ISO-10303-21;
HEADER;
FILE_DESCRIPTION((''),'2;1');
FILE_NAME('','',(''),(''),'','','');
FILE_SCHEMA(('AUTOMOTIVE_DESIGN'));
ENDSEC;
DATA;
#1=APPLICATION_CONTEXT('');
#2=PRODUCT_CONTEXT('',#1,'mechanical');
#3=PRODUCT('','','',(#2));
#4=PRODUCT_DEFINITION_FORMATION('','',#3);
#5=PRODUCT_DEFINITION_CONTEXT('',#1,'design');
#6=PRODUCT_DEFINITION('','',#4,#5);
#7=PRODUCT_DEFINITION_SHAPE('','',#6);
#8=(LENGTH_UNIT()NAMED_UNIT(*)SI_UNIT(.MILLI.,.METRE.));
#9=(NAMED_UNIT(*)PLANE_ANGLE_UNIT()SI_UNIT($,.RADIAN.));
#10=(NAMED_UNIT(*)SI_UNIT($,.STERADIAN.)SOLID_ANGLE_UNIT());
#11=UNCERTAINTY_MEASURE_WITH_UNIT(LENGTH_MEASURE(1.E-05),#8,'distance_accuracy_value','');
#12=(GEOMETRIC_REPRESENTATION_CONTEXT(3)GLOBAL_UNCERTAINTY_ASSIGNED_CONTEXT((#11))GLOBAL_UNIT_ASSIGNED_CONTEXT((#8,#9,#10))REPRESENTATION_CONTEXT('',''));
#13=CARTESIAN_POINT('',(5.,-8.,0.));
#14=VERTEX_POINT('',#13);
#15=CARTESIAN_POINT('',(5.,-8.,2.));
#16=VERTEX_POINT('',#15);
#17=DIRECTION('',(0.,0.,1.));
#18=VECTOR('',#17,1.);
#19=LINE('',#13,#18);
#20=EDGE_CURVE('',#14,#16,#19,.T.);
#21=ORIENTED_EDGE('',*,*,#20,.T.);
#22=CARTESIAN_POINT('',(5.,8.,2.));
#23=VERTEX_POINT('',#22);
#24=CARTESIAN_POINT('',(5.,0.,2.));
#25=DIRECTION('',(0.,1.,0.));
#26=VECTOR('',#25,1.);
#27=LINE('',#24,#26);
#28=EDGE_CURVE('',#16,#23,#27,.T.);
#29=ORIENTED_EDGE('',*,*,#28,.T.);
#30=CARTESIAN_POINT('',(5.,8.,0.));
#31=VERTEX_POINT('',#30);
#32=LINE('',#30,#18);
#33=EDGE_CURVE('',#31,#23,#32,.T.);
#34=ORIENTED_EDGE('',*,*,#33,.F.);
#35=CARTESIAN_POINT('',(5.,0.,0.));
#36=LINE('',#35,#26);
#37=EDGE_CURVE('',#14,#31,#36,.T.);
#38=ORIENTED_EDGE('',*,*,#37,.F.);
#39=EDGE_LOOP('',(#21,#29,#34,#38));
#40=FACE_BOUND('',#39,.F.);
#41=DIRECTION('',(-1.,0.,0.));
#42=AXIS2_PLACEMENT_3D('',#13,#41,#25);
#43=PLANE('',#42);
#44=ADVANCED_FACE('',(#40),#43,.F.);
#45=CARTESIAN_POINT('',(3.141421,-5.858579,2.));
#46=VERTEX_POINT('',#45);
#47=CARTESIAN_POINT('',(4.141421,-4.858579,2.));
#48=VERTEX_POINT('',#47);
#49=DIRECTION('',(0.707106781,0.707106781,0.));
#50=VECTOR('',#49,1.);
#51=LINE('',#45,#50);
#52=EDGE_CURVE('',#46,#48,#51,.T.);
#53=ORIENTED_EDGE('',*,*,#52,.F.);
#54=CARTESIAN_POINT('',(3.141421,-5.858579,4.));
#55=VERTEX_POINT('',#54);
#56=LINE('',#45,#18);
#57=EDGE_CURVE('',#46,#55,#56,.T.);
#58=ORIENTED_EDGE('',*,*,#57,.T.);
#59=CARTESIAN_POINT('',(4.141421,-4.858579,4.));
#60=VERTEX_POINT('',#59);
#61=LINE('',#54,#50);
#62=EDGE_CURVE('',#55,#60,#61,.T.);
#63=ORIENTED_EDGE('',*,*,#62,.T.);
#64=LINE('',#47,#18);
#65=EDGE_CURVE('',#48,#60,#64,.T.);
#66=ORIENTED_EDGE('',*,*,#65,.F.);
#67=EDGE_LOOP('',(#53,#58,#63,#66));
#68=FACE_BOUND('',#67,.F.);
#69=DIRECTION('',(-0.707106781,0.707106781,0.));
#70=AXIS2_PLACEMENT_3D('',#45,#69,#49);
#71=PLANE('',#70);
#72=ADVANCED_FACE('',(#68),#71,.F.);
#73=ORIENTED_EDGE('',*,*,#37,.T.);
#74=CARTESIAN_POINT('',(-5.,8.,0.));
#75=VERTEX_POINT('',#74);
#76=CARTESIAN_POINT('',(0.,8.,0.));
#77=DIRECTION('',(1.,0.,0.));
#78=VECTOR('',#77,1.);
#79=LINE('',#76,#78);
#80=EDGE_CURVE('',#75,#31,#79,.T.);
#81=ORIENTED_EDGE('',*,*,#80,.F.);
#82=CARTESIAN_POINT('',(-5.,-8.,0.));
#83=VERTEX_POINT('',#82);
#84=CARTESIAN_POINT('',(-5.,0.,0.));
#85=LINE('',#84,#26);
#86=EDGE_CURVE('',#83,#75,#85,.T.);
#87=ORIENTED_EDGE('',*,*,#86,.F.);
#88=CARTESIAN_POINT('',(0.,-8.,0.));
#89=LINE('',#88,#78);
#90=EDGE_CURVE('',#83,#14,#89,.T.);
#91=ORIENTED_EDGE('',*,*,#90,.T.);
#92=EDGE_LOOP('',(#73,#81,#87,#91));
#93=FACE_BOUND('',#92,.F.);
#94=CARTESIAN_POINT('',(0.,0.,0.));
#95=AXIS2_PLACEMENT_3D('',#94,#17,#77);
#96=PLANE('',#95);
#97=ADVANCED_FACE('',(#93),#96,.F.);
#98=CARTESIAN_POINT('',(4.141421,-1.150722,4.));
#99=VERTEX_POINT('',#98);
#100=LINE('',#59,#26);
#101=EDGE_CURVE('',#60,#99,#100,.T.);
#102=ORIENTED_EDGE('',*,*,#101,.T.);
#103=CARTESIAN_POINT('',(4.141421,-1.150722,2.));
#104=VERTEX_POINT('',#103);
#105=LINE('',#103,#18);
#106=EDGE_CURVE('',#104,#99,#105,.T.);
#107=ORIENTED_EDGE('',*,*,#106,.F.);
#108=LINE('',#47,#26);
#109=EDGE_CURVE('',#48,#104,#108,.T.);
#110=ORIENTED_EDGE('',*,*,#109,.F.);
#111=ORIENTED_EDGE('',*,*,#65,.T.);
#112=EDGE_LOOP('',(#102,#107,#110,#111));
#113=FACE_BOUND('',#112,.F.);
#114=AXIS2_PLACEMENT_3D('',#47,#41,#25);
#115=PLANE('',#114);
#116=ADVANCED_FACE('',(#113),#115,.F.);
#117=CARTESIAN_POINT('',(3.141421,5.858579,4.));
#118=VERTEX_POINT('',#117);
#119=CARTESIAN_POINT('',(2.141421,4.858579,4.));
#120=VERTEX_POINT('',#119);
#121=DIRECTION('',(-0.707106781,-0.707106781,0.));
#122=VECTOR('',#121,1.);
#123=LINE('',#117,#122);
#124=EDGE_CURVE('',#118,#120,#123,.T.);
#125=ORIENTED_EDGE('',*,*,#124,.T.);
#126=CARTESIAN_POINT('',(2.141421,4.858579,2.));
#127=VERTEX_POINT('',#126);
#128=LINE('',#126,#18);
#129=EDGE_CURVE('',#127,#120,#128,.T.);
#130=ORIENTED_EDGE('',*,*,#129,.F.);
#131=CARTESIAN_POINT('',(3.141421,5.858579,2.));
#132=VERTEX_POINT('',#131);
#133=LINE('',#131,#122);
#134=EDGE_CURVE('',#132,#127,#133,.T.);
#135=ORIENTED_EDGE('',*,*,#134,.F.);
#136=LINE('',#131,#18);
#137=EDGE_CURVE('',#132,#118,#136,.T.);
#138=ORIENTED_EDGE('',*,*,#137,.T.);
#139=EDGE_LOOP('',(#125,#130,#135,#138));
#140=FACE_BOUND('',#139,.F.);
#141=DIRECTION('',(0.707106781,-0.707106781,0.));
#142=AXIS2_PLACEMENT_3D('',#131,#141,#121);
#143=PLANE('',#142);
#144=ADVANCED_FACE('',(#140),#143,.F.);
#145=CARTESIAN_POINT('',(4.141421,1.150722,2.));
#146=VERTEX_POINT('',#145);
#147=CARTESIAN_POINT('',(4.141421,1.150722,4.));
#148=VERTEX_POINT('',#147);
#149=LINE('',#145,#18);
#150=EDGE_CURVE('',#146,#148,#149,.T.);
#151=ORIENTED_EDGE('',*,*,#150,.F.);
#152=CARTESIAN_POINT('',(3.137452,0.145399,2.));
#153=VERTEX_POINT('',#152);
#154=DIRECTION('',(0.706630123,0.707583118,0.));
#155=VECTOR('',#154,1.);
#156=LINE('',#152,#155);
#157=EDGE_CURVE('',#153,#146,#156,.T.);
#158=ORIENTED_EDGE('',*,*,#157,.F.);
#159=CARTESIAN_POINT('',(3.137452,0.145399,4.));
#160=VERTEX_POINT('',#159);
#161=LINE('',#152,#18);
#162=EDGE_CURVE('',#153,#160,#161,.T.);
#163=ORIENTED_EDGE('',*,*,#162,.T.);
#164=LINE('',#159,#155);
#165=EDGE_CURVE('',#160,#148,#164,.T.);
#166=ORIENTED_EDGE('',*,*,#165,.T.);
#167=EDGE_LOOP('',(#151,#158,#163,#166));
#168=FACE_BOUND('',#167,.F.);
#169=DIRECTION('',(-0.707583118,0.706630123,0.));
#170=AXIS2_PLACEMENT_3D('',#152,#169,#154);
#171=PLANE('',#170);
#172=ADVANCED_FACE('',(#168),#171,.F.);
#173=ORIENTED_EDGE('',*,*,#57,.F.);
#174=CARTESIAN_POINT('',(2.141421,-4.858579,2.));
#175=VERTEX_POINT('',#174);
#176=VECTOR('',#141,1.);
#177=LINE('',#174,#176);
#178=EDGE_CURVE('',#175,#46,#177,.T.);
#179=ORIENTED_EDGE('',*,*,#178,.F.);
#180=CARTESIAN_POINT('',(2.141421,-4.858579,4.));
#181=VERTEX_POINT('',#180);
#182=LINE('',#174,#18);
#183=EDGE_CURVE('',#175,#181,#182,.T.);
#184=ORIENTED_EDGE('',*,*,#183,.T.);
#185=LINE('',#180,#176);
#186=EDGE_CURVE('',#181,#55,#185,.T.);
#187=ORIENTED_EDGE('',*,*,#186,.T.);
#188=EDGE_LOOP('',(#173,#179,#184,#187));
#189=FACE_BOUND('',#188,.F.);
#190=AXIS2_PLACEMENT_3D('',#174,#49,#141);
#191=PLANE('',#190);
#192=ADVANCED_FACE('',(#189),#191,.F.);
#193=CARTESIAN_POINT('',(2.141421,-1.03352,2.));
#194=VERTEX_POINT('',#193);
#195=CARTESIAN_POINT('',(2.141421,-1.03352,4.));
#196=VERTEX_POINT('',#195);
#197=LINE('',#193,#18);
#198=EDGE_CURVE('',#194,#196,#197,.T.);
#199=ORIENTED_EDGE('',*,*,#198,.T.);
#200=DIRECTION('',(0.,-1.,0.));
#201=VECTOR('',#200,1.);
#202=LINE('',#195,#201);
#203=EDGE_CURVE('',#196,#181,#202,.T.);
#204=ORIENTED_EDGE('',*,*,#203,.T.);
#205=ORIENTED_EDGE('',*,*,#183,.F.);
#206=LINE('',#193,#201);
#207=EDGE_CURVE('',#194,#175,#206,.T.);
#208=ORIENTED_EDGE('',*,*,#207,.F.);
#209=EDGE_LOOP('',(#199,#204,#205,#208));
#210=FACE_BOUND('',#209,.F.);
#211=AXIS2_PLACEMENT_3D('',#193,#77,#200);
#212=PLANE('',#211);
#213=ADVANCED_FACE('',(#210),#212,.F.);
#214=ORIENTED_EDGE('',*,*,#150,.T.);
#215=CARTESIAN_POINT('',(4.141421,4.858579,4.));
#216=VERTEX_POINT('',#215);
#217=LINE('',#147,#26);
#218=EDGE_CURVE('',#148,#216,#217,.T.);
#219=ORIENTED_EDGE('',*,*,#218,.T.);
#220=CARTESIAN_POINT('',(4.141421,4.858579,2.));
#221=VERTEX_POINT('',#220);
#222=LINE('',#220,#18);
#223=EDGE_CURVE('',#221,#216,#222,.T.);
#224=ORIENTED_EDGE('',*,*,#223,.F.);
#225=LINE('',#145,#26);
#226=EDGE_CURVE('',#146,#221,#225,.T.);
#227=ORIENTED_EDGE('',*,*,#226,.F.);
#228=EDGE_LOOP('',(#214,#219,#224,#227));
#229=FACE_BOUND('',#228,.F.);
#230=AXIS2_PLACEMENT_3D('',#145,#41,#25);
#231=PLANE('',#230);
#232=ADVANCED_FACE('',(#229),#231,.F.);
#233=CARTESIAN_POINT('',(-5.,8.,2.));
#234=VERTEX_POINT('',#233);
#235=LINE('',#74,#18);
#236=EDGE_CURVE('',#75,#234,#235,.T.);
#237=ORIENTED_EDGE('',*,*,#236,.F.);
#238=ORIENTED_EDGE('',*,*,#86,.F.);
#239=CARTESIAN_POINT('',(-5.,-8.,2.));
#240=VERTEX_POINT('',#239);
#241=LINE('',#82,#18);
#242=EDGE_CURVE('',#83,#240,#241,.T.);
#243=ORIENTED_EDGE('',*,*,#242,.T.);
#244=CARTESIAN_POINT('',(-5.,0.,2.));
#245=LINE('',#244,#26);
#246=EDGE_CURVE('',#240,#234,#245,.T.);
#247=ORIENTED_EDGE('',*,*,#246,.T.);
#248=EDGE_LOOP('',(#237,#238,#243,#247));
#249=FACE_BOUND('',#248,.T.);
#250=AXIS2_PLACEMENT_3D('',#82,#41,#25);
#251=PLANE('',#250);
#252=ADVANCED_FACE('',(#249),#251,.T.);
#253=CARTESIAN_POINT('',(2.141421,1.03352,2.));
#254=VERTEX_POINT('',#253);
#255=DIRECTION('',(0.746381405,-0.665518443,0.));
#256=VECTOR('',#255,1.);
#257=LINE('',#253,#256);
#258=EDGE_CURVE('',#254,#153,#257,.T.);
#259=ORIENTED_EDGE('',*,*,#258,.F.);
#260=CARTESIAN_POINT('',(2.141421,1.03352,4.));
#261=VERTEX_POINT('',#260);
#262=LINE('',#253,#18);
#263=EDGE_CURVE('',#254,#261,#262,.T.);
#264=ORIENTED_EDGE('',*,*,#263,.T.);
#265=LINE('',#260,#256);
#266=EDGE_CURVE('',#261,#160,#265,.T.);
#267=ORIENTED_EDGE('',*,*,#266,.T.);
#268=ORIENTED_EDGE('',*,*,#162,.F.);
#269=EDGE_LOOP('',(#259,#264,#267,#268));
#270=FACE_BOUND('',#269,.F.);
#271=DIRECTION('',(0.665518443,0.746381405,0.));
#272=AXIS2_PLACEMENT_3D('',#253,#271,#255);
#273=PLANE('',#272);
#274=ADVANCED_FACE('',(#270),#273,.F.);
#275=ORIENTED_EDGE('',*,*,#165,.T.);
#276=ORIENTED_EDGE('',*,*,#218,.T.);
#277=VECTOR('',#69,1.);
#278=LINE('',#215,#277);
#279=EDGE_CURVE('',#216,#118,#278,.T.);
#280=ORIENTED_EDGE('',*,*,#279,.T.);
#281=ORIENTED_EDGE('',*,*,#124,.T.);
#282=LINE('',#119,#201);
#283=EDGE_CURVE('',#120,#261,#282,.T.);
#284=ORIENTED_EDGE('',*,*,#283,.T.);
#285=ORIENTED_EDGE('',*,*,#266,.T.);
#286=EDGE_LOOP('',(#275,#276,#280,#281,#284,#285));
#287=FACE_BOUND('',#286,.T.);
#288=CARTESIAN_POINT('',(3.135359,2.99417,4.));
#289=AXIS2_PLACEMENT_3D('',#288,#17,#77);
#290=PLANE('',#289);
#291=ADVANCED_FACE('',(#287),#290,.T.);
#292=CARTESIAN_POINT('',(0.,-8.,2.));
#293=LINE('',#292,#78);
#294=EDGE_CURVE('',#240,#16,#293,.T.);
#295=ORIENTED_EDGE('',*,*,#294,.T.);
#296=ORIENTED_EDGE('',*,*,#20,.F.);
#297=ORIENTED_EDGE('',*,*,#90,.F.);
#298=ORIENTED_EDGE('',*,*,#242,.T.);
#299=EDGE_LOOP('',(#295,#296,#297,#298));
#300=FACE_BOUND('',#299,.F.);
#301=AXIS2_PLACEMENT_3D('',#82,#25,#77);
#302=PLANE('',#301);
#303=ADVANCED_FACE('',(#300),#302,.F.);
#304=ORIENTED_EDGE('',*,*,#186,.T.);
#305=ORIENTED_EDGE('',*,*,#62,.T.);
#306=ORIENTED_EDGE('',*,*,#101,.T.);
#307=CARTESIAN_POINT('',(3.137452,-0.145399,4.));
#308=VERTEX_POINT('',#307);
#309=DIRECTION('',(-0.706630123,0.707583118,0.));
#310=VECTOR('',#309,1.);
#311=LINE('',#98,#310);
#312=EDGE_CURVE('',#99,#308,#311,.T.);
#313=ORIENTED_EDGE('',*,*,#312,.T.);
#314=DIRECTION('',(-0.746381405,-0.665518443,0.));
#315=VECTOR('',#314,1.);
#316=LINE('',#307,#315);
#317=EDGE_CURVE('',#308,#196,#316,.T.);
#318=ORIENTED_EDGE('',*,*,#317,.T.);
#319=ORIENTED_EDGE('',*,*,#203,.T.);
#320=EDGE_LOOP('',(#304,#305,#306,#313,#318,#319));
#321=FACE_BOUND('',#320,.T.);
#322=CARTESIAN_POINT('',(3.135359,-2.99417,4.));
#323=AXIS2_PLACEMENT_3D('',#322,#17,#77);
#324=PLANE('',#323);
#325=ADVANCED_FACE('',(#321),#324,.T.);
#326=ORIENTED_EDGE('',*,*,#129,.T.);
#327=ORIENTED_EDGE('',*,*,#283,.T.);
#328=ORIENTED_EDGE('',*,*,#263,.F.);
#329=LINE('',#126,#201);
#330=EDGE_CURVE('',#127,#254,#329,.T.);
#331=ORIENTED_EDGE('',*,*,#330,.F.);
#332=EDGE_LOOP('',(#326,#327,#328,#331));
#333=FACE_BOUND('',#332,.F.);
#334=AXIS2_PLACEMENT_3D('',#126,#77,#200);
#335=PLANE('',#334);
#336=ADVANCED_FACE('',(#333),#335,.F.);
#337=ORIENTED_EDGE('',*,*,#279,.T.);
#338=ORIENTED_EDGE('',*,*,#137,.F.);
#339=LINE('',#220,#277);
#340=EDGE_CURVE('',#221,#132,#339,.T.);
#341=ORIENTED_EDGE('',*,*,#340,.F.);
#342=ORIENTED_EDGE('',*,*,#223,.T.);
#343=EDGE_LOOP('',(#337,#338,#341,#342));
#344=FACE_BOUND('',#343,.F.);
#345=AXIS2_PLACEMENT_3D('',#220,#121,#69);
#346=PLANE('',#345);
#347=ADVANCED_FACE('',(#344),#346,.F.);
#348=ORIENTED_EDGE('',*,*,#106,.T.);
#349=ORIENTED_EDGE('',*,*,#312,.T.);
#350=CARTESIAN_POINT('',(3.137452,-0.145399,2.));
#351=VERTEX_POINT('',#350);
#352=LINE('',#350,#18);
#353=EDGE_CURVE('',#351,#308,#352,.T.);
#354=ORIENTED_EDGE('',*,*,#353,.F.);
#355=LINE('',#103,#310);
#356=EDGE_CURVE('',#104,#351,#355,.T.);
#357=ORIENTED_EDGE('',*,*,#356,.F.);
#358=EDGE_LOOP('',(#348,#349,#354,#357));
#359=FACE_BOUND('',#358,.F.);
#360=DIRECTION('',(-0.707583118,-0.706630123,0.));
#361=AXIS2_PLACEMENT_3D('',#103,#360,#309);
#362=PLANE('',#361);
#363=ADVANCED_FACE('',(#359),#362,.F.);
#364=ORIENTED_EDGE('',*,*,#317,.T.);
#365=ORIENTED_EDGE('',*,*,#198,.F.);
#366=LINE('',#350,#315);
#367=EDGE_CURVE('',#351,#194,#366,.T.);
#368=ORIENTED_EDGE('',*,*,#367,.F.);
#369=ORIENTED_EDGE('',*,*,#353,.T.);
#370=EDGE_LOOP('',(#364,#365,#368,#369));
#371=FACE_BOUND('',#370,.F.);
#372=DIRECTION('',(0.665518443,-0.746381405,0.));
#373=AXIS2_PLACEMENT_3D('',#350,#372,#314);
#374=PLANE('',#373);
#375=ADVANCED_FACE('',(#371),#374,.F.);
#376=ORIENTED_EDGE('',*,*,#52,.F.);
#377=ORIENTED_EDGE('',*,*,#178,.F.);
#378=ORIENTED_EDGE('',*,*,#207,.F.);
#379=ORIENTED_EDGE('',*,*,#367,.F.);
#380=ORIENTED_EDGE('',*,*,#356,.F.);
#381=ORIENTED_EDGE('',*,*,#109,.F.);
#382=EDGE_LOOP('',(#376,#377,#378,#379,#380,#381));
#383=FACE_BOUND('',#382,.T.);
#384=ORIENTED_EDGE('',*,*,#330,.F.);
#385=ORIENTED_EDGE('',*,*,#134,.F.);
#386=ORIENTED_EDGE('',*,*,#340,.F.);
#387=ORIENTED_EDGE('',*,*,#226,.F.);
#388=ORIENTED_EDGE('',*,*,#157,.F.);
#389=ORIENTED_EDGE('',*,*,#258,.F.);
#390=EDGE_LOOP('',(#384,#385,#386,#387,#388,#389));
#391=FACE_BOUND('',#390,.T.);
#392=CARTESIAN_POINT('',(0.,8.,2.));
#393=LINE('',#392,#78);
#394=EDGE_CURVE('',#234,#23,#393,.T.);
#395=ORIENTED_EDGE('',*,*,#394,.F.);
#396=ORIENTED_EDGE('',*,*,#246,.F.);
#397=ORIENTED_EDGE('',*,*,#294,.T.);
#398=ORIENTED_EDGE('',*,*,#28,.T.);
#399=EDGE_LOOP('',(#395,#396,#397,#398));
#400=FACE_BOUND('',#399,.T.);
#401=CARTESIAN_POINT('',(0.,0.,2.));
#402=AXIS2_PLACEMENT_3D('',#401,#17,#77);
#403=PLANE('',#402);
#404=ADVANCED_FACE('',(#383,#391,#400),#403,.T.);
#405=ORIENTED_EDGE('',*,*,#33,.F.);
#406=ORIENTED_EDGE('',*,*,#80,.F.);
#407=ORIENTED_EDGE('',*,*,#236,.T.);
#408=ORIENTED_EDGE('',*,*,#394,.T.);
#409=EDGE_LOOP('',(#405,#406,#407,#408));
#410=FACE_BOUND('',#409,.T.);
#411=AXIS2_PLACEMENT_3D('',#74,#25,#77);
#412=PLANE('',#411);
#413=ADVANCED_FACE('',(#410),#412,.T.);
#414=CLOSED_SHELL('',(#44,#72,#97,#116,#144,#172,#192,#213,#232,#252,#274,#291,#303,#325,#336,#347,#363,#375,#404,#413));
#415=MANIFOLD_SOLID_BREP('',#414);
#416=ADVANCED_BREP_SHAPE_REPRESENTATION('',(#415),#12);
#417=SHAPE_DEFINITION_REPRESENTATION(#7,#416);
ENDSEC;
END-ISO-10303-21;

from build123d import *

# Parameters (mm, degrees)
F0_W     = 10
F0_H     = 16
F1_DEPTH = 2
F3_DEPTH = 2


with BuildPart() as f1:
    # F0 (on Top) → F1 (new body)
    with BuildSketch(Plane.XY):
        Rectangle(F0_W, F0_H)
    extrude(amount=F1_DEPTH)

    # F2 (on face) → F3 (join)
    with BuildSketch(Plane.XY.offset(2)):
        Polygon((4.141421, 4.858579), (3.141421, 5.858579), (2.141421, 4.858579), (2.141421, 1.03352), (3.137452, 0.145399), (4.141421, 1.150722), align=None)
        Polygon((3.137452, -0.145399), (2.141421, -1.03352), (2.141421, -4.858579), (3.141421, -5.858579), (4.141421, -4.858579), (4.141421, -1.150722), align=None)
    extrude(amount=F3_DEPTH)


solid = f1.part
